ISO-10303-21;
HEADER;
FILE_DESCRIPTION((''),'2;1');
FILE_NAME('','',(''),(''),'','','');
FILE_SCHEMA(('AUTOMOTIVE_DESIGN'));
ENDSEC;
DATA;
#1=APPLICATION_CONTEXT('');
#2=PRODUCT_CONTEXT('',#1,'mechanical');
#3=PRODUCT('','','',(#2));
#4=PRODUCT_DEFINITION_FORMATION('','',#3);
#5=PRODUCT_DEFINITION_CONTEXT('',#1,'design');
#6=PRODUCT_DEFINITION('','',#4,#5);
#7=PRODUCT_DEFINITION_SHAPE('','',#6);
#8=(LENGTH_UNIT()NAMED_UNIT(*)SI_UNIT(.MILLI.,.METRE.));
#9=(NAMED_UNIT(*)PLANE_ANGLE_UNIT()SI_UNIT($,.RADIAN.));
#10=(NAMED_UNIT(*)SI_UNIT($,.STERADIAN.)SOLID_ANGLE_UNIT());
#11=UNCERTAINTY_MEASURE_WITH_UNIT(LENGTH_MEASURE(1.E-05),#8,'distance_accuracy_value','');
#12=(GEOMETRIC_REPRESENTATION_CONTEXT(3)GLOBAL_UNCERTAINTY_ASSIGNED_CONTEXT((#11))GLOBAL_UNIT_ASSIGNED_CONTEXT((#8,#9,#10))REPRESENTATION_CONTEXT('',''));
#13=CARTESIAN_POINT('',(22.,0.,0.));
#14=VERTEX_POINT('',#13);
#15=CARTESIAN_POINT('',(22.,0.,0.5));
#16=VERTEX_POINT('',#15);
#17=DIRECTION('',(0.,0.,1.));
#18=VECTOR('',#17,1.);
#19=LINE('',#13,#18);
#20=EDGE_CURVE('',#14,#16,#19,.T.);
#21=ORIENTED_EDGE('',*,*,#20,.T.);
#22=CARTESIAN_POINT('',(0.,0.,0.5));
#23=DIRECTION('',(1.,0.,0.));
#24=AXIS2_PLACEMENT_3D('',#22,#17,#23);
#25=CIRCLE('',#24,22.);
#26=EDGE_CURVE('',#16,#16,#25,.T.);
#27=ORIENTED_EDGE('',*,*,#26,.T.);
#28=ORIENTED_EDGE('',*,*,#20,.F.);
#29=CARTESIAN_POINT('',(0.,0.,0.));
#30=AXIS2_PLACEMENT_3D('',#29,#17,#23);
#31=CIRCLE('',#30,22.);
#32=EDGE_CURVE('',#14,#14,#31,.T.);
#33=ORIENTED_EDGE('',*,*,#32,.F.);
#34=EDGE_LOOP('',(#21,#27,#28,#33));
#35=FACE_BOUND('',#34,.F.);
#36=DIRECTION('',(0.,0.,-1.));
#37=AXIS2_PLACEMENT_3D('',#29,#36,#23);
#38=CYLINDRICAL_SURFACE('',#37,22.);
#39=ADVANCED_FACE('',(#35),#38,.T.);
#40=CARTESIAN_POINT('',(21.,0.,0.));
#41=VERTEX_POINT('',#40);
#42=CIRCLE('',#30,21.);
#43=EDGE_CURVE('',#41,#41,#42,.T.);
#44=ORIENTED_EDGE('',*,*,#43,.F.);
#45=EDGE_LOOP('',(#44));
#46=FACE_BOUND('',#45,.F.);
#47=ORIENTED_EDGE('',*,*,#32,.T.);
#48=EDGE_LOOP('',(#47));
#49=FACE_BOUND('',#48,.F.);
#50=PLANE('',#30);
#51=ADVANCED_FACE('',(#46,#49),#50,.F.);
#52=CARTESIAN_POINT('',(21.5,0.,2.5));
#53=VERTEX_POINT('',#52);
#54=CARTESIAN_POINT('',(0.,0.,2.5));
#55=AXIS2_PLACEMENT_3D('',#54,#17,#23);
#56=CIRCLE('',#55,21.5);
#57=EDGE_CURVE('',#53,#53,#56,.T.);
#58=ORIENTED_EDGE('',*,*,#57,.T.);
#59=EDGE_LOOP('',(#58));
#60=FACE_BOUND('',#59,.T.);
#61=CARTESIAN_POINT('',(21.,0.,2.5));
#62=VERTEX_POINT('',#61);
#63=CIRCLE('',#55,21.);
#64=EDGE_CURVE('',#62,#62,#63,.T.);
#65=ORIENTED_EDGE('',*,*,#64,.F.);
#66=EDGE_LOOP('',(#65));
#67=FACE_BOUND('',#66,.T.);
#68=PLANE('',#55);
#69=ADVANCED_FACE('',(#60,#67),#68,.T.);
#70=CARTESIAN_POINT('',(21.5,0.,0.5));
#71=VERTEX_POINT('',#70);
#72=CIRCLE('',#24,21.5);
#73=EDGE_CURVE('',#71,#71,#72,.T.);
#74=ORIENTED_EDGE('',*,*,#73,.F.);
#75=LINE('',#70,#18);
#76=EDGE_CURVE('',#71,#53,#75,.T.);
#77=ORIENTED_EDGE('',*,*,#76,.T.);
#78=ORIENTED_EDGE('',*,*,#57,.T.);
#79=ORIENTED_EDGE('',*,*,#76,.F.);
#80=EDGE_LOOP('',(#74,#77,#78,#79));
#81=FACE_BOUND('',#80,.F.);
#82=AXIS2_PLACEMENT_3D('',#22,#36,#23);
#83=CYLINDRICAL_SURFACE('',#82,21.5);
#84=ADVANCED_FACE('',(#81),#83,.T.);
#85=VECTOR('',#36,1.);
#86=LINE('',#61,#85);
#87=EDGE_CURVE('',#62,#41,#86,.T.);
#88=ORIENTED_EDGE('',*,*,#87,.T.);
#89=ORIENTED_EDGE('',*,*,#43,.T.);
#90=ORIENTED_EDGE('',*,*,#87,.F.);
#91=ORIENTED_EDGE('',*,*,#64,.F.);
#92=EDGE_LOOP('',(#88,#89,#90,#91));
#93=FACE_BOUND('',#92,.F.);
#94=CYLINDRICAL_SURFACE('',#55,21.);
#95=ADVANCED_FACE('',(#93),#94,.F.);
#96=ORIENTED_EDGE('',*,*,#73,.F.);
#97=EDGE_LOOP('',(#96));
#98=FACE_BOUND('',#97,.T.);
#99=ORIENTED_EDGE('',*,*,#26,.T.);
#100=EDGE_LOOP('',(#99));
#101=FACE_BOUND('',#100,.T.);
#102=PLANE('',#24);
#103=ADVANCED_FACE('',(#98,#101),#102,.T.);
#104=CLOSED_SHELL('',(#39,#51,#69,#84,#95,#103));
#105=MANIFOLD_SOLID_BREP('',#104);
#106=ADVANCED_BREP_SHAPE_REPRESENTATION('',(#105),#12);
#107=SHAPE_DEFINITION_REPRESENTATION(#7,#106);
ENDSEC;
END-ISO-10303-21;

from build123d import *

# Parameters (mm, degrees)
SKETCH_R     = 22
PAD_DEPTH    = 0.5
SKETCH001_R  = 21.5
PAD001_DEPTH = 2
SKETCH002_R  = 21
POCKET_DEPTH = 5


with BuildPart() as part:
    # Sketch → Pad (new body)
    with BuildSketch(Plane.XY):
        Circle(SKETCH_R)
    extrude(amount=PAD_DEPTH)

    # Sketch001 (on Face3 of Pad) → Pad001 (join)
    with BuildSketch(Plane.XY.offset(0.5)):
        Circle(SKETCH001_R)
    extrude(amount=PAD001_DEPTH)

    # Sketch002 (on Face5 of Pad001) → Pocket (cut)
    with BuildSketch(Plane.XY.offset(2.5)):
        Circle(SKETCH002_R)
    extrude(amount=-POCKET_DEPTH, mode=Mode.SUBTRACT)


solid = part.part
